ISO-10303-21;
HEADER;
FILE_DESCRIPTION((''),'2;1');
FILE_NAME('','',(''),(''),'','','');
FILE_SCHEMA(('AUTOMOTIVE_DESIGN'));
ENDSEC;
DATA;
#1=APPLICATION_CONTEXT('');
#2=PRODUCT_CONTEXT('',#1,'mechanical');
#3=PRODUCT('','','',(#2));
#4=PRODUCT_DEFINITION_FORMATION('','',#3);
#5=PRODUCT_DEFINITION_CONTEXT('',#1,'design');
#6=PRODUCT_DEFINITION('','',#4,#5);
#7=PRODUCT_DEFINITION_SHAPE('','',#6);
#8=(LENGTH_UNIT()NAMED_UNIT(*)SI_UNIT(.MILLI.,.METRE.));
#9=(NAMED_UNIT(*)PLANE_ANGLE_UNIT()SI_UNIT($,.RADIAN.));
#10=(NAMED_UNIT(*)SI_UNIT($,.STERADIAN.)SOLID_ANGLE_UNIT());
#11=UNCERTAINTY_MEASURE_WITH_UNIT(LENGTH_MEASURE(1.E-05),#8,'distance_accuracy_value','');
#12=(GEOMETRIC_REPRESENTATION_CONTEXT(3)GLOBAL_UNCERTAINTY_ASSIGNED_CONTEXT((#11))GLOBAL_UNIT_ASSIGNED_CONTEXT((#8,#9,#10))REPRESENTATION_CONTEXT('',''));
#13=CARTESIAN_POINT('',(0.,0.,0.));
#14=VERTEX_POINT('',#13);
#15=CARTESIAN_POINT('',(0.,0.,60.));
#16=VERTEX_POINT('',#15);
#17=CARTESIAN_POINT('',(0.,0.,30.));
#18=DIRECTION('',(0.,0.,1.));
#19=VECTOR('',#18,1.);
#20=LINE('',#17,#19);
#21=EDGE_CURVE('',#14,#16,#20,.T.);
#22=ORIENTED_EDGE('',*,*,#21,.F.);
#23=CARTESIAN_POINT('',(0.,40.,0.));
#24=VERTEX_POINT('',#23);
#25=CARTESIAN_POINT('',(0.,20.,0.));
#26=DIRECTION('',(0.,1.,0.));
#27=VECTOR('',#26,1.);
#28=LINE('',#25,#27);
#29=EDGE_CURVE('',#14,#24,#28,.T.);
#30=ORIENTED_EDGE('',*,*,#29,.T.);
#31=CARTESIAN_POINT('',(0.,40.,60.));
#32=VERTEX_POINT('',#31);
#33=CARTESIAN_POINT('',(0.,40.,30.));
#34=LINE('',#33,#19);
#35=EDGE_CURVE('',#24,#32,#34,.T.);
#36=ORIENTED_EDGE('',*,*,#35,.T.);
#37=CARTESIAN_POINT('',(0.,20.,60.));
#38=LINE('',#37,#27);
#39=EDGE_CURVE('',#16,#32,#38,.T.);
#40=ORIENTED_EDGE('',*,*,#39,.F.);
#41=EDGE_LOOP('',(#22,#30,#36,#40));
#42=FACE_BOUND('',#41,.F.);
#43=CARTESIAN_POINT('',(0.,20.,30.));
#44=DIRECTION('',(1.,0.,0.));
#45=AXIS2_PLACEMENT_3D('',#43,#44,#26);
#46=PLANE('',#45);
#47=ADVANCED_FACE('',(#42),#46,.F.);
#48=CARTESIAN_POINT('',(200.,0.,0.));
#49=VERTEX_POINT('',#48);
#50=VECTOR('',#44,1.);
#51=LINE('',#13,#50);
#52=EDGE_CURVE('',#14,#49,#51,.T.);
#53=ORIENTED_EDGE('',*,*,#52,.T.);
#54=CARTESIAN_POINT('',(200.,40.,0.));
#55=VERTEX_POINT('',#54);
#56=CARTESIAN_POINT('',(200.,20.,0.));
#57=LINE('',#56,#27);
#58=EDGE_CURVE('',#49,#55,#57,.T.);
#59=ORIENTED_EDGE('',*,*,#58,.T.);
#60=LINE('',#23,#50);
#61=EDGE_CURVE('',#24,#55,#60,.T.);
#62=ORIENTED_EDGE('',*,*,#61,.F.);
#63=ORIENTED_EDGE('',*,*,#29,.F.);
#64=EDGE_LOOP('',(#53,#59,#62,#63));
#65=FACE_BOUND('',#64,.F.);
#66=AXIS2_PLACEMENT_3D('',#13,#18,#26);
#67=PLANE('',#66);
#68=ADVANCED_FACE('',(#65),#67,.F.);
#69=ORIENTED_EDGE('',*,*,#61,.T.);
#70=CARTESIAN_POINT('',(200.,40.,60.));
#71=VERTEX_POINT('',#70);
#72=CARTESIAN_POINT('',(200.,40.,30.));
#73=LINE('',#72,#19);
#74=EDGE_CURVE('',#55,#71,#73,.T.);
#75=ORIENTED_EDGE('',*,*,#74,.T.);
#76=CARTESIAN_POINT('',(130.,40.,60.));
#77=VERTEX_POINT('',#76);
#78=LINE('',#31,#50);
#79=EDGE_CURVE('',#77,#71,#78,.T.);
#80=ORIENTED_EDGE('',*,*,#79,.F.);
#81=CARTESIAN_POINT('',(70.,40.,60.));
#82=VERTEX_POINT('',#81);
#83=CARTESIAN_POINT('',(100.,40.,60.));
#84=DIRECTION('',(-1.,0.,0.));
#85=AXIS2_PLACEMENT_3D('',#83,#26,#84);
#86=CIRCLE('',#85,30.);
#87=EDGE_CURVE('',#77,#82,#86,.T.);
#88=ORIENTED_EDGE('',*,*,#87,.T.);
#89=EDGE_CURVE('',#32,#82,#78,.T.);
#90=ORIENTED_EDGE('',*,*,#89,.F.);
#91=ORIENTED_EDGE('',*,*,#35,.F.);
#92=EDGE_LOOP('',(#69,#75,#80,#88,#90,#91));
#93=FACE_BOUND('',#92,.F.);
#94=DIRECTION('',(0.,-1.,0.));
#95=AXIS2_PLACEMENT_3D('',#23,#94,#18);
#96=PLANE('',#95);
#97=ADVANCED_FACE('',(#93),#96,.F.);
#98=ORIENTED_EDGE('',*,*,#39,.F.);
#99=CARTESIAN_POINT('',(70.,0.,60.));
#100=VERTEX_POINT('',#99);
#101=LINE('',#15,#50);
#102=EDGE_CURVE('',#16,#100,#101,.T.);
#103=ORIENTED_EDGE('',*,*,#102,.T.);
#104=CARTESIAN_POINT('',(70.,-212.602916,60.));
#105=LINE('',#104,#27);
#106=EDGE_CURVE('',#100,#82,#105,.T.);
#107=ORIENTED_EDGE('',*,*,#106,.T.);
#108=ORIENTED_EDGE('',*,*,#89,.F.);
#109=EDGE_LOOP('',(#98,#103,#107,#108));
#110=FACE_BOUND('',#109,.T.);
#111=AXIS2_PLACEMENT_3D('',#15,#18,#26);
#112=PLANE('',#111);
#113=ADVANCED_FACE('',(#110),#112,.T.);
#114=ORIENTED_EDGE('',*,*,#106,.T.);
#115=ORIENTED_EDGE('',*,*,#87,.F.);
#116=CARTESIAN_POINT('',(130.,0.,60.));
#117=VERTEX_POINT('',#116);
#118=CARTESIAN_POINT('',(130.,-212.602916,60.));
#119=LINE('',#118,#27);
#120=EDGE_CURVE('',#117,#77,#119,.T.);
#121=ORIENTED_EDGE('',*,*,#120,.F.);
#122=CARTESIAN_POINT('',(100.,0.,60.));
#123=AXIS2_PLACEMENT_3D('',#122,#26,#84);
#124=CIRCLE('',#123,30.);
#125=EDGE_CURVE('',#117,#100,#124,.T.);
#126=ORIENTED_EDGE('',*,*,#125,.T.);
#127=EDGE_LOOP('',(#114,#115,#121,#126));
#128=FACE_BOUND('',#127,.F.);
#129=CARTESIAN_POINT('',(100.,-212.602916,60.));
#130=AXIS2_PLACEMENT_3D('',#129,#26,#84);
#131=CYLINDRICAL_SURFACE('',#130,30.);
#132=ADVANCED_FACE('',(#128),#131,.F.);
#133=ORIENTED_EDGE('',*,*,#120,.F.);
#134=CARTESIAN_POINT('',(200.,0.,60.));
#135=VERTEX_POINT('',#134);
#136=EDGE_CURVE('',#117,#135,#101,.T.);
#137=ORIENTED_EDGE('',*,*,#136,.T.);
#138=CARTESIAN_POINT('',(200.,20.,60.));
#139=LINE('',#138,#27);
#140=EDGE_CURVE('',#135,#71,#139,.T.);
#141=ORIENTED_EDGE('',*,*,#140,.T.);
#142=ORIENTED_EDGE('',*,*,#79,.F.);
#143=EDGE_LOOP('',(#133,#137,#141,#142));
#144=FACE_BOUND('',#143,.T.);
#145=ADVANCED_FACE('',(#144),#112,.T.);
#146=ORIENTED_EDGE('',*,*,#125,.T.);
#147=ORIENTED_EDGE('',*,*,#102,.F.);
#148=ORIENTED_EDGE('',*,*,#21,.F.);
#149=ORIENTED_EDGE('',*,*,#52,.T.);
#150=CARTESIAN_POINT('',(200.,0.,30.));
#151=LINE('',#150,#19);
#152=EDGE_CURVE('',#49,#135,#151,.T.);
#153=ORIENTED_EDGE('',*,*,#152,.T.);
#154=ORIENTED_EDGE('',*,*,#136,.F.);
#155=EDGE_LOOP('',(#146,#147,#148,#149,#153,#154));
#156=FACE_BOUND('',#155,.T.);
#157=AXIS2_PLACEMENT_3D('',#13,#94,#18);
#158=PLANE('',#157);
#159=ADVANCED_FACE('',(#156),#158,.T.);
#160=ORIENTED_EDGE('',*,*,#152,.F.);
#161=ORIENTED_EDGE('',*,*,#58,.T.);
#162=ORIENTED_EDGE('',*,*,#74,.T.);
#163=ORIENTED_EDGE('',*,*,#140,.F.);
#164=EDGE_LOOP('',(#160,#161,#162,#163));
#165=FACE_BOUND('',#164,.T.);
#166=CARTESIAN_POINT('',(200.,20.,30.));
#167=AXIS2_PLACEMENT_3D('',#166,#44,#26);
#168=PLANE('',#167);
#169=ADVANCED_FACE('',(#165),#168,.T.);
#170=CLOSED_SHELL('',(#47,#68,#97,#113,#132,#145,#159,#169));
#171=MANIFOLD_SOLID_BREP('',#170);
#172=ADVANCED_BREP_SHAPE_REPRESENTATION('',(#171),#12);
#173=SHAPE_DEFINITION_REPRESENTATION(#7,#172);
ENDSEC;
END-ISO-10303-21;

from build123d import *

# Parameters (mm, degrees)
F0_W     = 40
F0_H     = 60
F1_DEPTH = 200
F3_D     = 60


with BuildPart() as f1:
    # F0 (on Right) → F1 (new body)
    with BuildSketch(Plane.YZ):
        with Locations((20, 30)):
            Rectangle(F0_W, F0_H)
    extrude(amount=F1_DEPTH)

    # F3 (through all)
    with Locations(Plane.XZ):
        with Locations((100, 60)):
            Hole(F3_D / 2)


solid = f1.part
